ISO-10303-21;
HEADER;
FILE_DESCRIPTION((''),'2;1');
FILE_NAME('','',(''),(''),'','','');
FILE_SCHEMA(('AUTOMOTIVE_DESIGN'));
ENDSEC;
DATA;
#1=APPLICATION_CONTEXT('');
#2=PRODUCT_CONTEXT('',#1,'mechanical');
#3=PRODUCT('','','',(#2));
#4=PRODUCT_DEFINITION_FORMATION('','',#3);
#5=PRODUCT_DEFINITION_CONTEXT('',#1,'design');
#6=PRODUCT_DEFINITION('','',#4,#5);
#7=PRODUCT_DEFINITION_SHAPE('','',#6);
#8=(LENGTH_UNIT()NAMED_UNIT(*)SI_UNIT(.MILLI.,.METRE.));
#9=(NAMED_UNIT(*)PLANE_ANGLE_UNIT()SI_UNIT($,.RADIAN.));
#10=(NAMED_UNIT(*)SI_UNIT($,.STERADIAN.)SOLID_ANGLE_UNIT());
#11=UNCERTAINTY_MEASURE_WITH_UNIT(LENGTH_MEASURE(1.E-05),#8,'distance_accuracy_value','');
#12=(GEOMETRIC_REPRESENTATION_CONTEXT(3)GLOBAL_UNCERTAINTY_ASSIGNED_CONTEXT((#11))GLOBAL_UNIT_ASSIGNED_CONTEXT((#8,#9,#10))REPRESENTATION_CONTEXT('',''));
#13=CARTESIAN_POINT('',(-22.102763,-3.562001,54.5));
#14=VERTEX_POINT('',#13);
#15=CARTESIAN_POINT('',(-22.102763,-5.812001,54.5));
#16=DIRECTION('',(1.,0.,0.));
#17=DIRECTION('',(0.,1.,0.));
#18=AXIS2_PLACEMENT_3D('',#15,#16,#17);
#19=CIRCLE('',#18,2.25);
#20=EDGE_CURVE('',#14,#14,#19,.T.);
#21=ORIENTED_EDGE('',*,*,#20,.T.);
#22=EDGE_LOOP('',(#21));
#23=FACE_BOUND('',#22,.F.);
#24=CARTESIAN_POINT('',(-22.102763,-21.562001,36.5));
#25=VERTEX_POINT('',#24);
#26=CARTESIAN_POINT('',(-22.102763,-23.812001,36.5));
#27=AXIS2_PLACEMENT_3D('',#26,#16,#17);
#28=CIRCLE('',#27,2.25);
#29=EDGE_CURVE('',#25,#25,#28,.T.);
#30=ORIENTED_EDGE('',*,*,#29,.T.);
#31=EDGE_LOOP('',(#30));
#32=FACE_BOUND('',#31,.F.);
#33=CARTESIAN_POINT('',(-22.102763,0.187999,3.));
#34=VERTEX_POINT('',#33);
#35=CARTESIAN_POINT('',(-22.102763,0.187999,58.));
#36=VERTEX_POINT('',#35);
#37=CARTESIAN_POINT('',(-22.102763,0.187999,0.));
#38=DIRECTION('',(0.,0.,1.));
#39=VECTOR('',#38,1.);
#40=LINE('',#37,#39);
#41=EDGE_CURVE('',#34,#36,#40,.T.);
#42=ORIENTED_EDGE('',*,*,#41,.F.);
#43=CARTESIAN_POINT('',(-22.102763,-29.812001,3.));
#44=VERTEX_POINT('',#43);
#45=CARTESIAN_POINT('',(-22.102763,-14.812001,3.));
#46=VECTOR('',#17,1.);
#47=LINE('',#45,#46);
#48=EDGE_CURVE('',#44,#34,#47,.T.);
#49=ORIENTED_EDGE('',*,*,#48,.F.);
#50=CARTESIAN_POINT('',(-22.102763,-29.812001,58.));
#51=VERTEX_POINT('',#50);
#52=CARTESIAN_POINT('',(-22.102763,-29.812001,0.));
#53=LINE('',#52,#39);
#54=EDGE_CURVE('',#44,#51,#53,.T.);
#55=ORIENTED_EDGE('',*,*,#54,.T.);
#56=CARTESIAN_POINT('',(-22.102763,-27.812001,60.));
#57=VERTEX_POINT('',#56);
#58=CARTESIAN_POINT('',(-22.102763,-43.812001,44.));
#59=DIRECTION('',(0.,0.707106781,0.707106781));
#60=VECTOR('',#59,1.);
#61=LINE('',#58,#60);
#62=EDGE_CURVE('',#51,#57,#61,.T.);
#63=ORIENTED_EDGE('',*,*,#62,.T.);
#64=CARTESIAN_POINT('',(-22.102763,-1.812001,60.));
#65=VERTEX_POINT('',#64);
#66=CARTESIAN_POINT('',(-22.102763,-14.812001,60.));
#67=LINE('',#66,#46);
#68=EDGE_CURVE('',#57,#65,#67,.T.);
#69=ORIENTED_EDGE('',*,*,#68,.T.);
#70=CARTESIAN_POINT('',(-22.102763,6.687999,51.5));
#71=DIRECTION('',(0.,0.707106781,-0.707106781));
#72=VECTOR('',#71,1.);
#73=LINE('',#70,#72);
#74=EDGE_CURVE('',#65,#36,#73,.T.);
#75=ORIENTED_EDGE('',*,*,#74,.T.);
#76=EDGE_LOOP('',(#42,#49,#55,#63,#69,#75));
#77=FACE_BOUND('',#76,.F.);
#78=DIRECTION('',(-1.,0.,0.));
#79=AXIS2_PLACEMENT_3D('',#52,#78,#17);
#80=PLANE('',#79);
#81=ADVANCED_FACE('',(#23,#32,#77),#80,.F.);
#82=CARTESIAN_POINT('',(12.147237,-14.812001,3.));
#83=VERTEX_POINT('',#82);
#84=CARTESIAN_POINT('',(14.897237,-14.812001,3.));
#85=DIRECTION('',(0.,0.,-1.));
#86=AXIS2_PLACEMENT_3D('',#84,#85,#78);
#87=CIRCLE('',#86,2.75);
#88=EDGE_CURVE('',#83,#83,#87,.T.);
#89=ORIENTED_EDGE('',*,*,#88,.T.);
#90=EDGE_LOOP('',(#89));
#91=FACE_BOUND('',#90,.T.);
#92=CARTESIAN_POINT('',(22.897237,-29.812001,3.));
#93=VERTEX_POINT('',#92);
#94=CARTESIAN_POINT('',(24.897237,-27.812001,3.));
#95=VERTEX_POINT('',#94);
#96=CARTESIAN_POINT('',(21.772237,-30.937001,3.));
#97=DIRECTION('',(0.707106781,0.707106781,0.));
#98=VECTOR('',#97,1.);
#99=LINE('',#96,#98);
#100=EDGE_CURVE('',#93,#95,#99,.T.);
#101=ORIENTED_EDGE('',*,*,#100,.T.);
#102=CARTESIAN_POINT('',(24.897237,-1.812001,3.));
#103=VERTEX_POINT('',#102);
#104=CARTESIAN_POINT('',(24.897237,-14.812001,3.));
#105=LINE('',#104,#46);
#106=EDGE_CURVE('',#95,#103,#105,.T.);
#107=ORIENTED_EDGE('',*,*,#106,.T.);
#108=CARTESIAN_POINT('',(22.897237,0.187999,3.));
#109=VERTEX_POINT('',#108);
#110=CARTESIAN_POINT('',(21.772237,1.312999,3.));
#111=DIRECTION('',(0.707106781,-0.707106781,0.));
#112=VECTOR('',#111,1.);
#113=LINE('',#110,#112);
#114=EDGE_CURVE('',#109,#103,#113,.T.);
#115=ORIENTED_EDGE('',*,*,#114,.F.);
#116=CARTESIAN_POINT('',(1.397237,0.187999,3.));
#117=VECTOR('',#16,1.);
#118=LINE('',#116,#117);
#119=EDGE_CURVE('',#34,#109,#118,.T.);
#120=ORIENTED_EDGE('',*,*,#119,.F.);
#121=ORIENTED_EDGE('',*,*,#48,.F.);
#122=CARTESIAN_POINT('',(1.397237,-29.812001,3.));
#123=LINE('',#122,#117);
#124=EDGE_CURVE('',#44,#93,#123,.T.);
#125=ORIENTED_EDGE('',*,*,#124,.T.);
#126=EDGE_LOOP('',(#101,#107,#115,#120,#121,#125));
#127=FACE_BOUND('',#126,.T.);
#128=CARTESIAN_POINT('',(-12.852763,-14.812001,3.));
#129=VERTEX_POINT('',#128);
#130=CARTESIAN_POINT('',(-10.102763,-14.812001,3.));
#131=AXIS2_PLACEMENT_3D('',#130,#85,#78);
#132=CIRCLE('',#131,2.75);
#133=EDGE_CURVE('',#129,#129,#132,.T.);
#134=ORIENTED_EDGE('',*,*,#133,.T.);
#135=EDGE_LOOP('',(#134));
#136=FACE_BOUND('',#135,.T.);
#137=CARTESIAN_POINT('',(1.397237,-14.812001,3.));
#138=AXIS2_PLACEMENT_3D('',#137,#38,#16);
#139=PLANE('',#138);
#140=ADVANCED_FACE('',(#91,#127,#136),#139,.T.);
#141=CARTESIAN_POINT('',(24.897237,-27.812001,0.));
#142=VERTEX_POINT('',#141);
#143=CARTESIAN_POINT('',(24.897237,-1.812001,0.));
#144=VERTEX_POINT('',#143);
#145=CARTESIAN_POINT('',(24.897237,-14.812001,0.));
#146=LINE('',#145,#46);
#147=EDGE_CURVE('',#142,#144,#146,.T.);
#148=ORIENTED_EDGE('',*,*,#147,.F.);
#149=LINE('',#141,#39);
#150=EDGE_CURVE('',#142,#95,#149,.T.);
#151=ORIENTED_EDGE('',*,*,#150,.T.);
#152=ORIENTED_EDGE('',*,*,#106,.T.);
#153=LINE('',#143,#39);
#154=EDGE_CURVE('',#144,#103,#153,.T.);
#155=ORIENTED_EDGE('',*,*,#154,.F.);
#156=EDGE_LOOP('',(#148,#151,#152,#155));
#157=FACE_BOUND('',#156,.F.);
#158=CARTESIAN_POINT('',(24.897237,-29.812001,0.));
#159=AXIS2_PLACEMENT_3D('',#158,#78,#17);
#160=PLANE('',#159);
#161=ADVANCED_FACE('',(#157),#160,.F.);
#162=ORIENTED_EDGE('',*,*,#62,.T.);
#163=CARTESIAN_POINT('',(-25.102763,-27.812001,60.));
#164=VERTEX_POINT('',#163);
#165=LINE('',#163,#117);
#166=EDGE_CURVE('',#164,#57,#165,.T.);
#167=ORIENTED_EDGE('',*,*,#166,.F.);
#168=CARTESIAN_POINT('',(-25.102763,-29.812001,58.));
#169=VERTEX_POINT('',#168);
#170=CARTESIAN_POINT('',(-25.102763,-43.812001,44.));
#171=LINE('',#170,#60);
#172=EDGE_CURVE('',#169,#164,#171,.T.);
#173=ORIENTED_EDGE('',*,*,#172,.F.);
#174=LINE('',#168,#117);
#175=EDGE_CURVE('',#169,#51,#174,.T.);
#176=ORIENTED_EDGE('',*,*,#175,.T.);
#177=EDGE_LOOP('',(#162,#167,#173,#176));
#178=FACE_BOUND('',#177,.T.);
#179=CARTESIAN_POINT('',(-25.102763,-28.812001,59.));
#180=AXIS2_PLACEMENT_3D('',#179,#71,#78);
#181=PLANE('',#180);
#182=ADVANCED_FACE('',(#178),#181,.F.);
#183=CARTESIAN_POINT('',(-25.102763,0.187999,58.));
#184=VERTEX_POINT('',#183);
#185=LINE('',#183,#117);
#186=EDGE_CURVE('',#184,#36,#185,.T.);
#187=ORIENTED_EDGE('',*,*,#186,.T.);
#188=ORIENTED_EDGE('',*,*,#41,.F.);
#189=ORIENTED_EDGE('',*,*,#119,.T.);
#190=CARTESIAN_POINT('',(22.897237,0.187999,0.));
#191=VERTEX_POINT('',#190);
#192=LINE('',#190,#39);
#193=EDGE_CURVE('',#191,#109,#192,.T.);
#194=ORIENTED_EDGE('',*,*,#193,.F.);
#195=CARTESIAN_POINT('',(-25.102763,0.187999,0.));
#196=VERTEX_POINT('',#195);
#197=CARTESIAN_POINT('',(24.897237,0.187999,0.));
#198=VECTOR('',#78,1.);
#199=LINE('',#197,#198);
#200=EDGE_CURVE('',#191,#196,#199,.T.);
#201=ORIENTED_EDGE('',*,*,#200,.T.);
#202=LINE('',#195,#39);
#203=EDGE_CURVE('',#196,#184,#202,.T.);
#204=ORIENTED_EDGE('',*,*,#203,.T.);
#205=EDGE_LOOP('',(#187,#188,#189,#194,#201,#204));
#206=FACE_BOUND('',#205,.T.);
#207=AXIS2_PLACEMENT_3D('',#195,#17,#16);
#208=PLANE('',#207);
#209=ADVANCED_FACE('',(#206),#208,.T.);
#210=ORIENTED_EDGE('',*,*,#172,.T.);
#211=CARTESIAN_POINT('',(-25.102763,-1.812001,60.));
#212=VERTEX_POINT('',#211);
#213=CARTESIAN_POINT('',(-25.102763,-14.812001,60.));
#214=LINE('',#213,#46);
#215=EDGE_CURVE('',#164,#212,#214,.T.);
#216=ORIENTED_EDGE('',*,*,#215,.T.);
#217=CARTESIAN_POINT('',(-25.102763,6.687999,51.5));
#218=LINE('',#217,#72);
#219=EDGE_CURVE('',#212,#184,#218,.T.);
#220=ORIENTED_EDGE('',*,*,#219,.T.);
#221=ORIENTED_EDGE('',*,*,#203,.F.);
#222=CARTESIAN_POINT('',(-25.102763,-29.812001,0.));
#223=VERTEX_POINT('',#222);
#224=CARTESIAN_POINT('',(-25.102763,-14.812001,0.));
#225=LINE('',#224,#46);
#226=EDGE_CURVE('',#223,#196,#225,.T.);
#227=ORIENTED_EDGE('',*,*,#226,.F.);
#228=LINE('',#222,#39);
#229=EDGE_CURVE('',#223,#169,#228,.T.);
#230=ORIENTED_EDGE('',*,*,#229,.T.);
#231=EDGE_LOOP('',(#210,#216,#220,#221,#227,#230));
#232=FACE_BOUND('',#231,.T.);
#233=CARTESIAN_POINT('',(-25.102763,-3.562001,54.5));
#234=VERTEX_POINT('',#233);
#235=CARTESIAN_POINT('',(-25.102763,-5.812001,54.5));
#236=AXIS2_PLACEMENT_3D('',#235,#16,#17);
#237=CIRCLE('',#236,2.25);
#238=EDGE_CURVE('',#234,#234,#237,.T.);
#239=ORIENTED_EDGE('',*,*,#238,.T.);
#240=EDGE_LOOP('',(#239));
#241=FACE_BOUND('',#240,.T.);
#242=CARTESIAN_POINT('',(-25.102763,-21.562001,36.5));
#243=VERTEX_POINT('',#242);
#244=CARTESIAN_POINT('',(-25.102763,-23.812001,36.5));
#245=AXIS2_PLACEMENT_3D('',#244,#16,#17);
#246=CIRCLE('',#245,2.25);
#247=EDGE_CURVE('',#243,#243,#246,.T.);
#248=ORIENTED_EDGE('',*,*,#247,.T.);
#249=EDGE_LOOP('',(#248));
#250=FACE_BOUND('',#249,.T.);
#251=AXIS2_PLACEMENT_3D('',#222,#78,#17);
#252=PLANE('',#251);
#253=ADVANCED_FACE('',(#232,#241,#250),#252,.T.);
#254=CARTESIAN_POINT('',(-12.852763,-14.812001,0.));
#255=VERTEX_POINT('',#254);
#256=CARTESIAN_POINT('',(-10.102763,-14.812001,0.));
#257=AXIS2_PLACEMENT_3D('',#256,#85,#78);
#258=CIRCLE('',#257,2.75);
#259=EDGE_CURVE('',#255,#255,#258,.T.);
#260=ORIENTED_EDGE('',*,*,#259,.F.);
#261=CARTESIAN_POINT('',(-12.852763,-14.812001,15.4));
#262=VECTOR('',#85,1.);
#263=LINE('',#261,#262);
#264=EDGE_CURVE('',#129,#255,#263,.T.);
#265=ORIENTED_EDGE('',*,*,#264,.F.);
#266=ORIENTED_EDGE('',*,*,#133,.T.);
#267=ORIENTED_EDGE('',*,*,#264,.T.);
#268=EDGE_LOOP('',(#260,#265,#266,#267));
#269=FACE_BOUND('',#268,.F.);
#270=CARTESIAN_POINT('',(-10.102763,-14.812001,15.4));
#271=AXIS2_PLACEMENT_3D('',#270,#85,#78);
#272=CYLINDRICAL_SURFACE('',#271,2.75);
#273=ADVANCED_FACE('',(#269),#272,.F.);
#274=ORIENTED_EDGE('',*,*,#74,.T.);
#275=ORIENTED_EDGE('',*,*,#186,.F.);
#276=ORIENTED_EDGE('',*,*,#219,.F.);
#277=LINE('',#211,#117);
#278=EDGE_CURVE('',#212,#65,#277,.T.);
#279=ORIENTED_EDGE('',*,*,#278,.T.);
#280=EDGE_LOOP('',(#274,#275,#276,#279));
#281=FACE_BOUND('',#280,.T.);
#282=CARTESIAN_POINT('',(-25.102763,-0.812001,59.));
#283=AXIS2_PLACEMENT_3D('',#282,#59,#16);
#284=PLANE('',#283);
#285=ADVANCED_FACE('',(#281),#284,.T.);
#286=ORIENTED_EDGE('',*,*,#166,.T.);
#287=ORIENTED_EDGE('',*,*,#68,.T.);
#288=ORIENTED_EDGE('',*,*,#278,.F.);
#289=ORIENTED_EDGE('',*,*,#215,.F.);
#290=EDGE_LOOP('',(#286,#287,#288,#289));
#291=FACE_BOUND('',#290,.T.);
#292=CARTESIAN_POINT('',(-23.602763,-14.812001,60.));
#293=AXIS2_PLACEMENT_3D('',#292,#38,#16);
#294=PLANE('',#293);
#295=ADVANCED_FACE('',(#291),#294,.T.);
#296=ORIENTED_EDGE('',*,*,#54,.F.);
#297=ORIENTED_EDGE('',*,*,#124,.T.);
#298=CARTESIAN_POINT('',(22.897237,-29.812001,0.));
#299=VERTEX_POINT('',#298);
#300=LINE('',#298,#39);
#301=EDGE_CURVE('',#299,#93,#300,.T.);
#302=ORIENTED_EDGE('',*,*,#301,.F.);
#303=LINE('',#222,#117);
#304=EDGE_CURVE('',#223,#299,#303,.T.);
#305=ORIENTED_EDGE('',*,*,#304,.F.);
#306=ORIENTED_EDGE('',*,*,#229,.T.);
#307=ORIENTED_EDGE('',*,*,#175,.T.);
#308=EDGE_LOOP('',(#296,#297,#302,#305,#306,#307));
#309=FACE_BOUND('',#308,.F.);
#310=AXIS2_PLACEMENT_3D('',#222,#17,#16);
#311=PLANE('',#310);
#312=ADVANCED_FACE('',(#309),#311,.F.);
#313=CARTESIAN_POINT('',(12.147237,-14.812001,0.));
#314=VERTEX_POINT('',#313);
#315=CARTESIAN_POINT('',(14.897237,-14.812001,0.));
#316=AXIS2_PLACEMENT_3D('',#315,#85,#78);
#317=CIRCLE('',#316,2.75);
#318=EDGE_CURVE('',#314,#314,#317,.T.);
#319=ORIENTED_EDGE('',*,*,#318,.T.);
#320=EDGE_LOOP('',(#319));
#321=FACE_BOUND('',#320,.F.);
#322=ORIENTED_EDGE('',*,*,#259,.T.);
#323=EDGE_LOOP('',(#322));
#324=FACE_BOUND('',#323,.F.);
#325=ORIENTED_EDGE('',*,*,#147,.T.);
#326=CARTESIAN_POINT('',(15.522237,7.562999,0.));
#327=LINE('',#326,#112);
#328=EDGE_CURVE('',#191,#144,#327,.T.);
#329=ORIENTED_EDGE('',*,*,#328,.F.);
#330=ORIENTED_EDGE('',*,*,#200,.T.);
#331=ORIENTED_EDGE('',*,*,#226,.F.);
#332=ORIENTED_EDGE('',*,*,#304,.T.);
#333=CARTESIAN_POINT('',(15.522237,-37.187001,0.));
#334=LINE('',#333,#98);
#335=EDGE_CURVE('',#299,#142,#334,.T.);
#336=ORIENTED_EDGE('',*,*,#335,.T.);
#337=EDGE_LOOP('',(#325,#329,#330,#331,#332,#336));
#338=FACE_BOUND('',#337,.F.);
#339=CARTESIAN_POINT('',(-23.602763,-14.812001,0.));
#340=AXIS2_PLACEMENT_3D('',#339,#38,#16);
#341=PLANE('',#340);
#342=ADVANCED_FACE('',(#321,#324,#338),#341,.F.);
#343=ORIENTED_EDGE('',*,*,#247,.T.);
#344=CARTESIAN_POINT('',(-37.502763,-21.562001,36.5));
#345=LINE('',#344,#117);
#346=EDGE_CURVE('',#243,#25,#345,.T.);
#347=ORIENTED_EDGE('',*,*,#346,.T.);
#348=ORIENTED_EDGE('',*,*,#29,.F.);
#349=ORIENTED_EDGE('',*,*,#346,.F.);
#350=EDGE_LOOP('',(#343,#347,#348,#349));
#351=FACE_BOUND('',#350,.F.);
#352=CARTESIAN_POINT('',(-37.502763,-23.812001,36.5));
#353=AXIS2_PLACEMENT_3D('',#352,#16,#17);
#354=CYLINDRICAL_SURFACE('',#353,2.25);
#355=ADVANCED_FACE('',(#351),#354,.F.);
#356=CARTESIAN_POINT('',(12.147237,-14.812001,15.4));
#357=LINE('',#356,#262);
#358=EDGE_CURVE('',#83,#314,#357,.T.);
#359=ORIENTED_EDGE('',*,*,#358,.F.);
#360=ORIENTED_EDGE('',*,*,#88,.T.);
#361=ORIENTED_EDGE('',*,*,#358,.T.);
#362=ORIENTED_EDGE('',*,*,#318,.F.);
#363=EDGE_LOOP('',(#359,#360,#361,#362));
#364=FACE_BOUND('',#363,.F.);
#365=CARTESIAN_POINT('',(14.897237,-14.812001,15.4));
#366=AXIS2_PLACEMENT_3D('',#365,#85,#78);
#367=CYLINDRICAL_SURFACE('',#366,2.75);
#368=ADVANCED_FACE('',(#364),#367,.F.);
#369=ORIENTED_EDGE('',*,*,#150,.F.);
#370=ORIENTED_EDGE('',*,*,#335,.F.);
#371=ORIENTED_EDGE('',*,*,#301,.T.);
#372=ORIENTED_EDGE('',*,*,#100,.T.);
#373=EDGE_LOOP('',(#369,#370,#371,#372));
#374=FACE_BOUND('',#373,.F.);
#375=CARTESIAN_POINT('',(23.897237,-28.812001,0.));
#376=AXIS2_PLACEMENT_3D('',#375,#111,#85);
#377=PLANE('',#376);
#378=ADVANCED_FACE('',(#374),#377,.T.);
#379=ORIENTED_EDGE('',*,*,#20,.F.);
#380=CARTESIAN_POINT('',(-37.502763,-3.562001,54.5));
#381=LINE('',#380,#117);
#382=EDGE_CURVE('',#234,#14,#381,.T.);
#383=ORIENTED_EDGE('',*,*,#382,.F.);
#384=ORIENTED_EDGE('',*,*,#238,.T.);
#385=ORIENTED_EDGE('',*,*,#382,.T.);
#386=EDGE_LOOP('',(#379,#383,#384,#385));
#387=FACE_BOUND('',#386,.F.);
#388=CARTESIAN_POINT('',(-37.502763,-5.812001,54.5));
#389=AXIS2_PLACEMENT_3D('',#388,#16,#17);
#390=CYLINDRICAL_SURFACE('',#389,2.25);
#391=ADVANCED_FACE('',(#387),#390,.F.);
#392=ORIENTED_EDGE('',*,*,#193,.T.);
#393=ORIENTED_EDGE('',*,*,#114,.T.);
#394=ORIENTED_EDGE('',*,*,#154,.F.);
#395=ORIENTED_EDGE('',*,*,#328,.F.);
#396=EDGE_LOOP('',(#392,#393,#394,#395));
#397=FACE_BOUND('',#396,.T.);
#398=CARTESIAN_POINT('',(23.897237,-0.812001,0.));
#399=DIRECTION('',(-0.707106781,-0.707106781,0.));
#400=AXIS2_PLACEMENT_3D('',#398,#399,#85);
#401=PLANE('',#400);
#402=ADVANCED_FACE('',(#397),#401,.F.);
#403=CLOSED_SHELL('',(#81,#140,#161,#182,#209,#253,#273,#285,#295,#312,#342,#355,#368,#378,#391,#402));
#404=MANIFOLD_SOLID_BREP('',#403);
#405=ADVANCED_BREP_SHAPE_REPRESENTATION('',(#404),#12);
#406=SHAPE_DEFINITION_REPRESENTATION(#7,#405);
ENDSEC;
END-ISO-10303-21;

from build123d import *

# Parameters (mm, degrees)
F0_W     = 47
F0_H     = 30
F1_DEPTH = 3
F0_W_2   = 3
F2_DEPTH = 60
F4_D     = 4.5
F4_DEPTH = 12.4
F6_D     = 5.5
F6_DEPTH = 12.4
F7_SIZE  = 2


with BuildPart() as f1:
    # F0 (on Top) → F1 (new body)
    with BuildSketch(Plane.XY):
        with Locations((1.397237, -14.812001)):
            Rectangle(F0_W, F0_H)
    extrude(amount=F1_DEPTH)

    # F0 (on Top) → F2 (join)
    with BuildSketch(Plane.XY):
        with Locations((-23.602763, -14.812001)):
            Rectangle(F0_W_2, F0_H)
    extrude(amount=F2_DEPTH)

    # F4
    with Locations(Plane(origin=(-25.102763, 0, 0), x_dir=(0, -1, 0), z_dir=(-1, 0, 0))):
        with Locations((5.812001, 54.5), (23.812001, 36.5)):
            Hole(F4_D / 2, depth=F4_DEPTH)

    # F6
    with Locations(Plane.XY.offset(3)):
        with Locations((-10.102763, -14.812001), (14.897237, -14.812001)):
            Hole(F6_D / 2, depth=F6_DEPTH)

    # F7
    f7_edges = [f1.edges().sort_by_distance(p)[0] for p in [
        (-23.602763, -29.812001, 60),
        (-23.602763, 0.187999, 60),
        (24.897237, -29.812001, 1.5),
        (24.897237, 0.187999, 1.5),
    ]]
    chamfer(f7_edges, length=F7_SIZE)


solid = f1.part
